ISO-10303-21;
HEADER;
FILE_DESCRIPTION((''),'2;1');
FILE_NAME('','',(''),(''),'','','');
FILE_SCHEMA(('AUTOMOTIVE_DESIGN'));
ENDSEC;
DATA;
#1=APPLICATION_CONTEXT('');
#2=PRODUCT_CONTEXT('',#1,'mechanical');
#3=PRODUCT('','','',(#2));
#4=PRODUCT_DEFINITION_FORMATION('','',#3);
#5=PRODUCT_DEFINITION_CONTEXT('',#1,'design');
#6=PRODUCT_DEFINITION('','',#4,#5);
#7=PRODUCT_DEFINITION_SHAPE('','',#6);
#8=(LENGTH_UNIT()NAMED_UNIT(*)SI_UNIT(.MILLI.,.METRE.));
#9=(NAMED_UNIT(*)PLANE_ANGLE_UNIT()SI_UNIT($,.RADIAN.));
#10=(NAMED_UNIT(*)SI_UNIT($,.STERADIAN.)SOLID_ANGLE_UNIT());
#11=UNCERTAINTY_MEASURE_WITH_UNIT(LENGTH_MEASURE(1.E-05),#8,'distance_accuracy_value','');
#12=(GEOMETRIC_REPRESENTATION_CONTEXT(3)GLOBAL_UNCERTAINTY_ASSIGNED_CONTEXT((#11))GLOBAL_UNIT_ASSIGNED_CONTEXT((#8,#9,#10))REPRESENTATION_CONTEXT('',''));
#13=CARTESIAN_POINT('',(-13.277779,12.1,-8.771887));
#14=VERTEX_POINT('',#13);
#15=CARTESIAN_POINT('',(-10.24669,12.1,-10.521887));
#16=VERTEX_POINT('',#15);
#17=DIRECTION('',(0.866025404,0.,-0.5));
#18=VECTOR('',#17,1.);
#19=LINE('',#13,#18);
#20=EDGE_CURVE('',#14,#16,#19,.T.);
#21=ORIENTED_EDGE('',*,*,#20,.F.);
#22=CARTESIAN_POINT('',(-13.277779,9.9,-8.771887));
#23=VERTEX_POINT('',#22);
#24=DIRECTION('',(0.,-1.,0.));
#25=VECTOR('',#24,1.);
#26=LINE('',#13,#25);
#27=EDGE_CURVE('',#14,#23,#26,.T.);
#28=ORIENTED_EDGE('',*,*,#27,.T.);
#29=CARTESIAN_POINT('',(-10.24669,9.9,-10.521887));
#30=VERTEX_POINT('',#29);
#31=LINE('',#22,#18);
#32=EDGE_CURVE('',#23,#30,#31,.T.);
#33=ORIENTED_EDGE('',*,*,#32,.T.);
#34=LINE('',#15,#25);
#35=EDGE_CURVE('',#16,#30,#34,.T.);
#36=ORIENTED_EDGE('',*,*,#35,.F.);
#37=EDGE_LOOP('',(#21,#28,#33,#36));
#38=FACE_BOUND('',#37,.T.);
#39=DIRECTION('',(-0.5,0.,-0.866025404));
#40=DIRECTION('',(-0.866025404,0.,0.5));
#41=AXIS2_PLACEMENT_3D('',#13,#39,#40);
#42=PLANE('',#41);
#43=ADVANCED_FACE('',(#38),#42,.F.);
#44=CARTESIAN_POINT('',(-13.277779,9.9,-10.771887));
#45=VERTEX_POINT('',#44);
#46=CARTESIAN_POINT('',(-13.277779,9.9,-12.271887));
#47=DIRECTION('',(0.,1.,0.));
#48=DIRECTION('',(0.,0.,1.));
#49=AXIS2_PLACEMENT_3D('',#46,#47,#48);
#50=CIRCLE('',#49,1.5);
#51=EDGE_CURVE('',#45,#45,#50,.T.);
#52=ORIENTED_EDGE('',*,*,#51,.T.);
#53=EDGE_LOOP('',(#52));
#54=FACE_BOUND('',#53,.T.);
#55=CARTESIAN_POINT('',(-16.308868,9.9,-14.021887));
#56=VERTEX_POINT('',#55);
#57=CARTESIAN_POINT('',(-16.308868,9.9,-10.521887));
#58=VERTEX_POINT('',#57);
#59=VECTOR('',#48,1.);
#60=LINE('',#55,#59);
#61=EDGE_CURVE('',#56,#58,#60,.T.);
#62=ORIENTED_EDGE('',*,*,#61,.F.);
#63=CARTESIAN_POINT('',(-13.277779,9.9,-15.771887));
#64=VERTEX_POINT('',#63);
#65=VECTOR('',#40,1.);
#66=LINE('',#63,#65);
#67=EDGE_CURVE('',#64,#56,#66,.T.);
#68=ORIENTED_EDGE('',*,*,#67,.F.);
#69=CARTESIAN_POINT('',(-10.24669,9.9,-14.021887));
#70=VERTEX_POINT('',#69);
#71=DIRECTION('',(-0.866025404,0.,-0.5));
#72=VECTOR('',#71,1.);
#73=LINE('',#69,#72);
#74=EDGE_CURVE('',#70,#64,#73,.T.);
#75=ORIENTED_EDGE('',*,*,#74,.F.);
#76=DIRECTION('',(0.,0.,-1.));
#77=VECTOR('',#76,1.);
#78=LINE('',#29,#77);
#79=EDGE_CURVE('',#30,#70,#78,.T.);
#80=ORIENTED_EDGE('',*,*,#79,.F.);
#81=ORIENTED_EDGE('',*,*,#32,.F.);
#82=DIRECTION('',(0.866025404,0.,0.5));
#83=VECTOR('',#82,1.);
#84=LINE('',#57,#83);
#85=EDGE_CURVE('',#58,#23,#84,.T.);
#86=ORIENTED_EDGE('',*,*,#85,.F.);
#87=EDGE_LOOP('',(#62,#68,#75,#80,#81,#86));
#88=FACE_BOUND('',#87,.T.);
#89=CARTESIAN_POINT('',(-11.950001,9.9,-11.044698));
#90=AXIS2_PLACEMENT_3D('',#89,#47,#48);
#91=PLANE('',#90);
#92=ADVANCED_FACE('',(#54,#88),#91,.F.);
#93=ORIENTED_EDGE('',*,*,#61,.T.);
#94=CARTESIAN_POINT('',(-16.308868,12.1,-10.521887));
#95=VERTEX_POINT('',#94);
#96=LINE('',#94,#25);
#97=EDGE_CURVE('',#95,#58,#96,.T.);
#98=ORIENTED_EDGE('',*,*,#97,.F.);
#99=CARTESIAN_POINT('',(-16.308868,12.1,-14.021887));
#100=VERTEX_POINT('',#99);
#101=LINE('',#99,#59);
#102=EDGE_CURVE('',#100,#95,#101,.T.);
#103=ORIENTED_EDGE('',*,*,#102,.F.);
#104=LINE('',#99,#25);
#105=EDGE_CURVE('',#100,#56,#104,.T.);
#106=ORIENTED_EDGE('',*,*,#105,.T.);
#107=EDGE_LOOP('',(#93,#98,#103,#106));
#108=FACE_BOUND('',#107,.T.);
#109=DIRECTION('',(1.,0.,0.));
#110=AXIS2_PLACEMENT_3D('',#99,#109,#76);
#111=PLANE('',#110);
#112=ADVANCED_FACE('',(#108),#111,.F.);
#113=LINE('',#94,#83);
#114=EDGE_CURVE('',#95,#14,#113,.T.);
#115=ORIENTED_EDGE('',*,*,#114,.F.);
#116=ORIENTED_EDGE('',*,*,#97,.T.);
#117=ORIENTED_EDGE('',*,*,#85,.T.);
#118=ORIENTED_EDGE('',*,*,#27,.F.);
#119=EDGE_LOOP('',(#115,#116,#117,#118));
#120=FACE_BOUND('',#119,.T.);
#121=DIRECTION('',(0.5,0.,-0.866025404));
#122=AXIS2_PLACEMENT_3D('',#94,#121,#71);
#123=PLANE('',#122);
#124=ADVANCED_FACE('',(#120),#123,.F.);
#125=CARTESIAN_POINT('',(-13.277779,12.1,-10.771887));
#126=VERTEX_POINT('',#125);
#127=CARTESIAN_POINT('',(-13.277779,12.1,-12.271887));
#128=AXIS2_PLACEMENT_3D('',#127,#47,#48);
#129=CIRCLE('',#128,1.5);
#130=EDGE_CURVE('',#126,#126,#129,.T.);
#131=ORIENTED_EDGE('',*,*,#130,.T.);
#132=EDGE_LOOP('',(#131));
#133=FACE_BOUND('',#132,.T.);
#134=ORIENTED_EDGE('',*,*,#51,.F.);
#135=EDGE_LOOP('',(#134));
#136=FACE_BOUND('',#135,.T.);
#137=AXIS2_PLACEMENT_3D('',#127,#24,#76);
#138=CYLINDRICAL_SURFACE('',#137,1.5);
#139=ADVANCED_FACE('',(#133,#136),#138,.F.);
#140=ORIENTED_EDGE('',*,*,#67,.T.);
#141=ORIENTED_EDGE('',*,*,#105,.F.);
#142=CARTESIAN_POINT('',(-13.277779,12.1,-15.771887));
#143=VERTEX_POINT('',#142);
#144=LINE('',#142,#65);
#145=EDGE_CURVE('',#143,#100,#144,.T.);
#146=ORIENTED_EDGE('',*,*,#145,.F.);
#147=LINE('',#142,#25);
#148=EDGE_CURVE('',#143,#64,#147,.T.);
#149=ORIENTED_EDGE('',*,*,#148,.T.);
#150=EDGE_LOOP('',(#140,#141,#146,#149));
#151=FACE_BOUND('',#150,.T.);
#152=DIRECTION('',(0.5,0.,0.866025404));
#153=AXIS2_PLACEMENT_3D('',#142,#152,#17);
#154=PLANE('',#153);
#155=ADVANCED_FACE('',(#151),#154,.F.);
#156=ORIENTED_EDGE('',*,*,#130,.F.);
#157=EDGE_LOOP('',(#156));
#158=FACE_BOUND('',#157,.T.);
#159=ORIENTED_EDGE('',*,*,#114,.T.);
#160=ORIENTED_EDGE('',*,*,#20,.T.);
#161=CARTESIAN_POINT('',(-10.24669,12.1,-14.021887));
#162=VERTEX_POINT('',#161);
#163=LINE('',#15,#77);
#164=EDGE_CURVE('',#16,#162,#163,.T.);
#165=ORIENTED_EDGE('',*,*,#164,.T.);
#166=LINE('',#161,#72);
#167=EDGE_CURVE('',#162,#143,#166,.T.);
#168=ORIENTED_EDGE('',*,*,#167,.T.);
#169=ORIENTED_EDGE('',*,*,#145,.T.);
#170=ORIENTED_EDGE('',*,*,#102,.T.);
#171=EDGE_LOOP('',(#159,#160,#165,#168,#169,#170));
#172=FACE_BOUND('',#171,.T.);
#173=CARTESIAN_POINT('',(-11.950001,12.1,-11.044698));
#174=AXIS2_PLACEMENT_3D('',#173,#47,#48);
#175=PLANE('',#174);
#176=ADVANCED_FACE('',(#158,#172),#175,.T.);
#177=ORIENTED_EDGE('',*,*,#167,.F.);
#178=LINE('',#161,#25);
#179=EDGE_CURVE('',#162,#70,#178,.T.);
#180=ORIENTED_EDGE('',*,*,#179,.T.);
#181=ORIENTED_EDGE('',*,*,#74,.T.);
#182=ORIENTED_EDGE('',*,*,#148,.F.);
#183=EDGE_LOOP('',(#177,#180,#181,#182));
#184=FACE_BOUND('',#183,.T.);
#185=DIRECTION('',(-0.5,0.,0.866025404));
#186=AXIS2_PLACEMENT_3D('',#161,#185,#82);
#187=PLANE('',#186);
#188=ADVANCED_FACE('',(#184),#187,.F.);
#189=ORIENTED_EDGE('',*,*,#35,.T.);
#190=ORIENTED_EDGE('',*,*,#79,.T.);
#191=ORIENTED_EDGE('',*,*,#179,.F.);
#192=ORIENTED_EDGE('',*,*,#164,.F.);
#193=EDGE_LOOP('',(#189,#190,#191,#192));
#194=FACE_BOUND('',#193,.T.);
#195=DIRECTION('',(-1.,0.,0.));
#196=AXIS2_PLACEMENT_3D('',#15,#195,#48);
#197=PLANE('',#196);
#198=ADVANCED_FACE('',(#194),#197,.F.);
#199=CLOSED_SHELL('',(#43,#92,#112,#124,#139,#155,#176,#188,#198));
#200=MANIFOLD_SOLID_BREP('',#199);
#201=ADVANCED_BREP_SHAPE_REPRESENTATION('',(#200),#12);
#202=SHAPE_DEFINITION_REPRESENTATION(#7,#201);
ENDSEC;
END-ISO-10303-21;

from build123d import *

# Parameters (mm, degrees)
SKETCH1_R           = 15
BOSS_EXTRUDE1_DEPTH = 22
SCALE1_SCALE        = 0.1


with BuildPart() as part:
    # Sketch1 → Boss-Extrude1 (new body)
    with BuildSketch(Plane(origin=(0, 0, 0), x_dir=(1, 0, 0), z_dir=(0, 1, 0))):
        Polygon((17.033110265, -5.228113471), (17.033110265, 29.771886529), (-13.277778868, 47.271886529), (-43.588668, 29.771886529), (-43.588668, -5.228113471), (-13.277778868, -22.728113471), align=None)
        with Locations((-13.277778868, 12.271886529)):
            Circle(SKETCH1_R, mode=Mode.SUBTRACT)
    extrude(amount=BOSS_EXTRUDE1_DEPTH)


with BuildPart() as part_1:
    # Scale1: scaled about (-13.277778868, 11, -12.271886529)
    add(part.part.scale(SCALE1_SCALE).moved(Location((-11.950000981, 9.9, -11.044697876))))


solid = part_1.part
